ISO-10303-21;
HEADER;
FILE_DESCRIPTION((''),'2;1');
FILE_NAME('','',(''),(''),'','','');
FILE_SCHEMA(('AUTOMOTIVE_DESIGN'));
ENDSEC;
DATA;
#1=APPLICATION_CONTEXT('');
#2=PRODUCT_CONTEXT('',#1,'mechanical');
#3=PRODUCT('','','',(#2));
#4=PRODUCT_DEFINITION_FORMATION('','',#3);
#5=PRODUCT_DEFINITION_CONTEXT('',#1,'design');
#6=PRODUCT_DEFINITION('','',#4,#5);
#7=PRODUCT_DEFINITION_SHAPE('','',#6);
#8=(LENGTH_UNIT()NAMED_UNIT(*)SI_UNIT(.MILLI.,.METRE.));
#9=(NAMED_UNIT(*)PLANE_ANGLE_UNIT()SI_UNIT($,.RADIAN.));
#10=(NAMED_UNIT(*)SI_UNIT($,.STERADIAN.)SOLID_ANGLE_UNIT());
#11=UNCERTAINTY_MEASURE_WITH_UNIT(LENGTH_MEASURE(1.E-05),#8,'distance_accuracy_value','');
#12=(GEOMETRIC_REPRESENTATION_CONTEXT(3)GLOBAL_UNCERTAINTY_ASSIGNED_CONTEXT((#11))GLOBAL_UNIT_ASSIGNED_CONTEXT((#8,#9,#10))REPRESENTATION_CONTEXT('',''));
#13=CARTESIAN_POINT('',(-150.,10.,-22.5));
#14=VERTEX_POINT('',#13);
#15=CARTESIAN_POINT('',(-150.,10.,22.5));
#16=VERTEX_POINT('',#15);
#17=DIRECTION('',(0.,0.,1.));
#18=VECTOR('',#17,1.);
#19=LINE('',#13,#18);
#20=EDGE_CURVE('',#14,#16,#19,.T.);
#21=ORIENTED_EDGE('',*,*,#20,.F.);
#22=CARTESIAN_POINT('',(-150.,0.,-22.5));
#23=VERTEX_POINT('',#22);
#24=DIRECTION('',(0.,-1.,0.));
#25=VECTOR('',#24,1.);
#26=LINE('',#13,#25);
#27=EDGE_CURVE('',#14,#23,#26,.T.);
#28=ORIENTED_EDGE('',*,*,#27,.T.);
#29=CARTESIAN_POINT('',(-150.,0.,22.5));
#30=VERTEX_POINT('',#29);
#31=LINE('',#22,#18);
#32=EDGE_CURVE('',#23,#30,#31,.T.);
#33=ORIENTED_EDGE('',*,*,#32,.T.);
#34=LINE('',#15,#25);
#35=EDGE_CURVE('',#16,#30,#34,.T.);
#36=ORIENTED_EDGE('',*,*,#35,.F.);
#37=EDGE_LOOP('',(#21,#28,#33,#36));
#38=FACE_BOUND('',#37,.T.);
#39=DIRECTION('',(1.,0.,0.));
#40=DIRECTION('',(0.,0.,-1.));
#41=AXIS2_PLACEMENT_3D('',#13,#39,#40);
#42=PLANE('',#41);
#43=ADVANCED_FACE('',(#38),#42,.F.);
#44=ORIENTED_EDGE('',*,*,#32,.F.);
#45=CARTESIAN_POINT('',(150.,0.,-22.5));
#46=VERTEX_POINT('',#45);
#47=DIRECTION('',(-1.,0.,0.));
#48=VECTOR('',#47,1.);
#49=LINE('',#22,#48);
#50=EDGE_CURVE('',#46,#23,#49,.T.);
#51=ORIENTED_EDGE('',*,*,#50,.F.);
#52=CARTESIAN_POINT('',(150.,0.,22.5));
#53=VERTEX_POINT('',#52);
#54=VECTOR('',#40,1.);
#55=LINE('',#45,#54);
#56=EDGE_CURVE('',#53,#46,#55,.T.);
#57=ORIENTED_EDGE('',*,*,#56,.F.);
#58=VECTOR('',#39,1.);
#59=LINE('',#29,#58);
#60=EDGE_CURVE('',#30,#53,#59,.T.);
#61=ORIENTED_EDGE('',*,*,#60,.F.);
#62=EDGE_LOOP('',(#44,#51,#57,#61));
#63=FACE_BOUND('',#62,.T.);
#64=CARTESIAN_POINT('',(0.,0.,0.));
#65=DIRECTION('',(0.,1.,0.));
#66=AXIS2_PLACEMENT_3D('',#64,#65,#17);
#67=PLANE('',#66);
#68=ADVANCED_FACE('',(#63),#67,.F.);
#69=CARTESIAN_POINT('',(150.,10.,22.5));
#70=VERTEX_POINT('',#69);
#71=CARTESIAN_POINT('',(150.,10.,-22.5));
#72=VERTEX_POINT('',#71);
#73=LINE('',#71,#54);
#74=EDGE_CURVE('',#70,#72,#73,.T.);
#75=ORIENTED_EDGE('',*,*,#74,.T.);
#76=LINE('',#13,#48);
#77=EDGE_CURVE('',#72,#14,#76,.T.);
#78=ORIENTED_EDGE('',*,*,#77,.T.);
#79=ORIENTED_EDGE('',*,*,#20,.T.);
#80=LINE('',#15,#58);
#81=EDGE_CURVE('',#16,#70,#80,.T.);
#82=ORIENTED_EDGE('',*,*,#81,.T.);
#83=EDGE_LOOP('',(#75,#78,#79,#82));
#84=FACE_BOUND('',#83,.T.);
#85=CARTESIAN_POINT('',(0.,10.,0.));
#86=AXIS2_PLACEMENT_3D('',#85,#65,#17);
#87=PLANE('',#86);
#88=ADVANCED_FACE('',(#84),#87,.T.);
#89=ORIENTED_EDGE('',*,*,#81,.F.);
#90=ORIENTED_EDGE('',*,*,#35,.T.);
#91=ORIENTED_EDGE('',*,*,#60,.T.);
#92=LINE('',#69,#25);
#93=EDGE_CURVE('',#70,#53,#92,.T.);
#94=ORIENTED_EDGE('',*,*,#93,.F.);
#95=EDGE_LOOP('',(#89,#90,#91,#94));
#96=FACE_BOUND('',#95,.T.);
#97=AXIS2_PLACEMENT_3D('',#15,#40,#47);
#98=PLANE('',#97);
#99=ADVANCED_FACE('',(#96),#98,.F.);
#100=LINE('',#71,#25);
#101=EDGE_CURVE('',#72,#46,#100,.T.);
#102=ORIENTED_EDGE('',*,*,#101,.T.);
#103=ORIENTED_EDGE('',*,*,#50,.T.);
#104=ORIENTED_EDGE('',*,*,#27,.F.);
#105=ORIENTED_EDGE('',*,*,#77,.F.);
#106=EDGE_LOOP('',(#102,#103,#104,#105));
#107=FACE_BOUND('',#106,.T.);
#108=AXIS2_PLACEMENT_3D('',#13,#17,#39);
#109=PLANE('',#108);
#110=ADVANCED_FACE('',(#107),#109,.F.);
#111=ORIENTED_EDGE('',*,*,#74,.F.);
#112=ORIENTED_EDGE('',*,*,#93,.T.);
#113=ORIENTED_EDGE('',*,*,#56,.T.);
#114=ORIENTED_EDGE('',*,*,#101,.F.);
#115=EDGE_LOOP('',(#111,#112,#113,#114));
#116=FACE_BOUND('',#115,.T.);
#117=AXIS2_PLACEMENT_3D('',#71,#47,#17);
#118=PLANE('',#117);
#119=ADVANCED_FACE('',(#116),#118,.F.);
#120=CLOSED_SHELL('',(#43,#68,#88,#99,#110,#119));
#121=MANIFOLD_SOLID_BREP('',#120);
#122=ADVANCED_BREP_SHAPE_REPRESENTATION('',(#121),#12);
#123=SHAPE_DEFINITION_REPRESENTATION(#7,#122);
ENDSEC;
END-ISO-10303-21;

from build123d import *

# Parameters (mm, degrees)
SKETCH_1_W      = 300
SKETCH_1_H      = 45
EXTRUDE_1_DEPTH = 10


with BuildPart() as part:
    # 草图1 → 凸台-拉伸1 (new body)
    with BuildSketch(Plane(origin=(0, 0, 0), x_dir=(1, 0, 0), z_dir=(0, 1, 0))):
        Rectangle(SKETCH_1_W, SKETCH_1_H)
    extrude(amount=EXTRUDE_1_DEPTH)


solid = part.part
